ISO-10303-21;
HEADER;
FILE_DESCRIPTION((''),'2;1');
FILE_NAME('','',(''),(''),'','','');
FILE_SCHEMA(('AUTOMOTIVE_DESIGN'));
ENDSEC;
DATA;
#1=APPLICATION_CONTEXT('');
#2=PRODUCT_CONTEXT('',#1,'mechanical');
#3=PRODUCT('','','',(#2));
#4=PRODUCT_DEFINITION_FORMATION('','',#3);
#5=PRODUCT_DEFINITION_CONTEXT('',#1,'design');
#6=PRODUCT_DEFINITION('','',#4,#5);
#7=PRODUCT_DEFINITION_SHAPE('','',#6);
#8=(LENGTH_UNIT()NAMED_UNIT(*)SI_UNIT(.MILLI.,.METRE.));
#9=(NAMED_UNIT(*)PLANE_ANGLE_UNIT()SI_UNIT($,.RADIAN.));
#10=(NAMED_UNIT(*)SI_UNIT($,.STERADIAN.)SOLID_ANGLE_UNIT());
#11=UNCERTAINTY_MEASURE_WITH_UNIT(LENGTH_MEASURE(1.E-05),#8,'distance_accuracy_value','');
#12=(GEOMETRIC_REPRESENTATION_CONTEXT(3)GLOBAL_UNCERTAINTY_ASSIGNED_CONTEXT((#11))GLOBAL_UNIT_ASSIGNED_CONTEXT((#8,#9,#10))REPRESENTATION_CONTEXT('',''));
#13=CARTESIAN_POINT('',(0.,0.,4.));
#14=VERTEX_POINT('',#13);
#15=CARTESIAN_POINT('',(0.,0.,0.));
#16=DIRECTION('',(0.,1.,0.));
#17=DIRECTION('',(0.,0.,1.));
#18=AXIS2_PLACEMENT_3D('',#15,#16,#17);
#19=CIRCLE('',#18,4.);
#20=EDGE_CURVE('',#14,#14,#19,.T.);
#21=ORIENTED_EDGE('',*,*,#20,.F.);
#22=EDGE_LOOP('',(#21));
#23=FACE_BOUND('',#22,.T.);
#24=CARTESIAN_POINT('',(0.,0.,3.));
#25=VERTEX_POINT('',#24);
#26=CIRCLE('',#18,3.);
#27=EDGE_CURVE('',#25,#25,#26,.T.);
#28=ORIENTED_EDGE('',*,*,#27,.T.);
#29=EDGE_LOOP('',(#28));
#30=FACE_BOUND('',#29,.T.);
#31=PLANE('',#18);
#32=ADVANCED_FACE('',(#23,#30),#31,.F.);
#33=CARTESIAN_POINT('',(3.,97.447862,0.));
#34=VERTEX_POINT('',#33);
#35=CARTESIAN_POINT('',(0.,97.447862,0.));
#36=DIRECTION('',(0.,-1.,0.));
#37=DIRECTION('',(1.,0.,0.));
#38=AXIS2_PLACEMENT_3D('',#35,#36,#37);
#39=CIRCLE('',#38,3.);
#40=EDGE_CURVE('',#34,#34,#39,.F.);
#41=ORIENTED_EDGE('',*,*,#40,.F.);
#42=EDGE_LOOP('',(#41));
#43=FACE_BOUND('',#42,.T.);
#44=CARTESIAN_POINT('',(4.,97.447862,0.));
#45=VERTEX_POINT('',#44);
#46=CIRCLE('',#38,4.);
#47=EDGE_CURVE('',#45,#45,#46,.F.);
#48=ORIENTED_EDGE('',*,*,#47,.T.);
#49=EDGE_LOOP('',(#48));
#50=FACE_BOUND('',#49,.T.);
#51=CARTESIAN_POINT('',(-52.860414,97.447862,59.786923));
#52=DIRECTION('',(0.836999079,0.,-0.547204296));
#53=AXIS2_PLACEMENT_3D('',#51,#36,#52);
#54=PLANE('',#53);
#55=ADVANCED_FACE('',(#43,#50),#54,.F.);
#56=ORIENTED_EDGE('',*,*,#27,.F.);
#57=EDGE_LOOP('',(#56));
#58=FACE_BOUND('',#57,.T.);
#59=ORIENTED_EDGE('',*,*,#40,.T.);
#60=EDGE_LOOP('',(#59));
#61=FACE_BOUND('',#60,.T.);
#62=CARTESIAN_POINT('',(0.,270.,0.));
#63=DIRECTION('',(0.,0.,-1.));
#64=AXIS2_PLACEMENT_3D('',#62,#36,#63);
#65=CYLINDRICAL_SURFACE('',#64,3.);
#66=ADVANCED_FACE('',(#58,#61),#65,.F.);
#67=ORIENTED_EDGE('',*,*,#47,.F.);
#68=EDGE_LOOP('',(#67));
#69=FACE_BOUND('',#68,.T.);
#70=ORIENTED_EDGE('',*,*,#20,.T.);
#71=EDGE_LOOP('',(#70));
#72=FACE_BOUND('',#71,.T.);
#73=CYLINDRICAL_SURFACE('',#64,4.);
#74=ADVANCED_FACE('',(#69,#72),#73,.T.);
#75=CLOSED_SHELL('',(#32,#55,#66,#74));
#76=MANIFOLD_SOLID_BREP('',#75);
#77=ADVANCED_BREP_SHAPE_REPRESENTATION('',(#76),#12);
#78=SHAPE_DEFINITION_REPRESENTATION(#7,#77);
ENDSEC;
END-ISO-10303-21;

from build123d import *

# Parameters (mm, degrees)
SKETCH1_R           = 4
SKETCH1_R_2         = 3
BOSS_EXTRUDE1_DEPTH = 270
CUT_EXTRUDE1_START  = -172.552138
SKETCH2_R           = 4
SKETCH2_R_2         = 3
CUT_EXTRUDE1_DEPTH  = 172.552138


with BuildPart() as part:
    # Sketch1 → Boss-Extrude1 (new body)
    with BuildSketch(Plane(origin=(0, 0, 0), x_dir=(1, 0, 0), z_dir=(0, 1, 0))):
        with Locations(Location((0, 0, 0), (0, 0, 270))):
            Circle(SKETCH1_R)
        with Locations(Location((0, 0, 0), (0, 0, 270))):
            Circle(SKETCH1_R_2, mode=Mode.SUBTRACT)
    extrude(amount=BOSS_EXTRUDE1_DEPTH)

    # Sketch2 → Cut-Extrude1 (cut)
    with BuildSketch(Plane(origin=(0, 270, 0), x_dir=(1, 0, 0), z_dir=(0, 1, 0)).offset(CUT_EXTRUDE1_START)):
        Circle(SKETCH2_R)
        Circle(SKETCH2_R_2, mode=Mode.SUBTRACT)
    extrude(amount=CUT_EXTRUDE1_DEPTH, mode=Mode.SUBTRACT)


solid = part.part
